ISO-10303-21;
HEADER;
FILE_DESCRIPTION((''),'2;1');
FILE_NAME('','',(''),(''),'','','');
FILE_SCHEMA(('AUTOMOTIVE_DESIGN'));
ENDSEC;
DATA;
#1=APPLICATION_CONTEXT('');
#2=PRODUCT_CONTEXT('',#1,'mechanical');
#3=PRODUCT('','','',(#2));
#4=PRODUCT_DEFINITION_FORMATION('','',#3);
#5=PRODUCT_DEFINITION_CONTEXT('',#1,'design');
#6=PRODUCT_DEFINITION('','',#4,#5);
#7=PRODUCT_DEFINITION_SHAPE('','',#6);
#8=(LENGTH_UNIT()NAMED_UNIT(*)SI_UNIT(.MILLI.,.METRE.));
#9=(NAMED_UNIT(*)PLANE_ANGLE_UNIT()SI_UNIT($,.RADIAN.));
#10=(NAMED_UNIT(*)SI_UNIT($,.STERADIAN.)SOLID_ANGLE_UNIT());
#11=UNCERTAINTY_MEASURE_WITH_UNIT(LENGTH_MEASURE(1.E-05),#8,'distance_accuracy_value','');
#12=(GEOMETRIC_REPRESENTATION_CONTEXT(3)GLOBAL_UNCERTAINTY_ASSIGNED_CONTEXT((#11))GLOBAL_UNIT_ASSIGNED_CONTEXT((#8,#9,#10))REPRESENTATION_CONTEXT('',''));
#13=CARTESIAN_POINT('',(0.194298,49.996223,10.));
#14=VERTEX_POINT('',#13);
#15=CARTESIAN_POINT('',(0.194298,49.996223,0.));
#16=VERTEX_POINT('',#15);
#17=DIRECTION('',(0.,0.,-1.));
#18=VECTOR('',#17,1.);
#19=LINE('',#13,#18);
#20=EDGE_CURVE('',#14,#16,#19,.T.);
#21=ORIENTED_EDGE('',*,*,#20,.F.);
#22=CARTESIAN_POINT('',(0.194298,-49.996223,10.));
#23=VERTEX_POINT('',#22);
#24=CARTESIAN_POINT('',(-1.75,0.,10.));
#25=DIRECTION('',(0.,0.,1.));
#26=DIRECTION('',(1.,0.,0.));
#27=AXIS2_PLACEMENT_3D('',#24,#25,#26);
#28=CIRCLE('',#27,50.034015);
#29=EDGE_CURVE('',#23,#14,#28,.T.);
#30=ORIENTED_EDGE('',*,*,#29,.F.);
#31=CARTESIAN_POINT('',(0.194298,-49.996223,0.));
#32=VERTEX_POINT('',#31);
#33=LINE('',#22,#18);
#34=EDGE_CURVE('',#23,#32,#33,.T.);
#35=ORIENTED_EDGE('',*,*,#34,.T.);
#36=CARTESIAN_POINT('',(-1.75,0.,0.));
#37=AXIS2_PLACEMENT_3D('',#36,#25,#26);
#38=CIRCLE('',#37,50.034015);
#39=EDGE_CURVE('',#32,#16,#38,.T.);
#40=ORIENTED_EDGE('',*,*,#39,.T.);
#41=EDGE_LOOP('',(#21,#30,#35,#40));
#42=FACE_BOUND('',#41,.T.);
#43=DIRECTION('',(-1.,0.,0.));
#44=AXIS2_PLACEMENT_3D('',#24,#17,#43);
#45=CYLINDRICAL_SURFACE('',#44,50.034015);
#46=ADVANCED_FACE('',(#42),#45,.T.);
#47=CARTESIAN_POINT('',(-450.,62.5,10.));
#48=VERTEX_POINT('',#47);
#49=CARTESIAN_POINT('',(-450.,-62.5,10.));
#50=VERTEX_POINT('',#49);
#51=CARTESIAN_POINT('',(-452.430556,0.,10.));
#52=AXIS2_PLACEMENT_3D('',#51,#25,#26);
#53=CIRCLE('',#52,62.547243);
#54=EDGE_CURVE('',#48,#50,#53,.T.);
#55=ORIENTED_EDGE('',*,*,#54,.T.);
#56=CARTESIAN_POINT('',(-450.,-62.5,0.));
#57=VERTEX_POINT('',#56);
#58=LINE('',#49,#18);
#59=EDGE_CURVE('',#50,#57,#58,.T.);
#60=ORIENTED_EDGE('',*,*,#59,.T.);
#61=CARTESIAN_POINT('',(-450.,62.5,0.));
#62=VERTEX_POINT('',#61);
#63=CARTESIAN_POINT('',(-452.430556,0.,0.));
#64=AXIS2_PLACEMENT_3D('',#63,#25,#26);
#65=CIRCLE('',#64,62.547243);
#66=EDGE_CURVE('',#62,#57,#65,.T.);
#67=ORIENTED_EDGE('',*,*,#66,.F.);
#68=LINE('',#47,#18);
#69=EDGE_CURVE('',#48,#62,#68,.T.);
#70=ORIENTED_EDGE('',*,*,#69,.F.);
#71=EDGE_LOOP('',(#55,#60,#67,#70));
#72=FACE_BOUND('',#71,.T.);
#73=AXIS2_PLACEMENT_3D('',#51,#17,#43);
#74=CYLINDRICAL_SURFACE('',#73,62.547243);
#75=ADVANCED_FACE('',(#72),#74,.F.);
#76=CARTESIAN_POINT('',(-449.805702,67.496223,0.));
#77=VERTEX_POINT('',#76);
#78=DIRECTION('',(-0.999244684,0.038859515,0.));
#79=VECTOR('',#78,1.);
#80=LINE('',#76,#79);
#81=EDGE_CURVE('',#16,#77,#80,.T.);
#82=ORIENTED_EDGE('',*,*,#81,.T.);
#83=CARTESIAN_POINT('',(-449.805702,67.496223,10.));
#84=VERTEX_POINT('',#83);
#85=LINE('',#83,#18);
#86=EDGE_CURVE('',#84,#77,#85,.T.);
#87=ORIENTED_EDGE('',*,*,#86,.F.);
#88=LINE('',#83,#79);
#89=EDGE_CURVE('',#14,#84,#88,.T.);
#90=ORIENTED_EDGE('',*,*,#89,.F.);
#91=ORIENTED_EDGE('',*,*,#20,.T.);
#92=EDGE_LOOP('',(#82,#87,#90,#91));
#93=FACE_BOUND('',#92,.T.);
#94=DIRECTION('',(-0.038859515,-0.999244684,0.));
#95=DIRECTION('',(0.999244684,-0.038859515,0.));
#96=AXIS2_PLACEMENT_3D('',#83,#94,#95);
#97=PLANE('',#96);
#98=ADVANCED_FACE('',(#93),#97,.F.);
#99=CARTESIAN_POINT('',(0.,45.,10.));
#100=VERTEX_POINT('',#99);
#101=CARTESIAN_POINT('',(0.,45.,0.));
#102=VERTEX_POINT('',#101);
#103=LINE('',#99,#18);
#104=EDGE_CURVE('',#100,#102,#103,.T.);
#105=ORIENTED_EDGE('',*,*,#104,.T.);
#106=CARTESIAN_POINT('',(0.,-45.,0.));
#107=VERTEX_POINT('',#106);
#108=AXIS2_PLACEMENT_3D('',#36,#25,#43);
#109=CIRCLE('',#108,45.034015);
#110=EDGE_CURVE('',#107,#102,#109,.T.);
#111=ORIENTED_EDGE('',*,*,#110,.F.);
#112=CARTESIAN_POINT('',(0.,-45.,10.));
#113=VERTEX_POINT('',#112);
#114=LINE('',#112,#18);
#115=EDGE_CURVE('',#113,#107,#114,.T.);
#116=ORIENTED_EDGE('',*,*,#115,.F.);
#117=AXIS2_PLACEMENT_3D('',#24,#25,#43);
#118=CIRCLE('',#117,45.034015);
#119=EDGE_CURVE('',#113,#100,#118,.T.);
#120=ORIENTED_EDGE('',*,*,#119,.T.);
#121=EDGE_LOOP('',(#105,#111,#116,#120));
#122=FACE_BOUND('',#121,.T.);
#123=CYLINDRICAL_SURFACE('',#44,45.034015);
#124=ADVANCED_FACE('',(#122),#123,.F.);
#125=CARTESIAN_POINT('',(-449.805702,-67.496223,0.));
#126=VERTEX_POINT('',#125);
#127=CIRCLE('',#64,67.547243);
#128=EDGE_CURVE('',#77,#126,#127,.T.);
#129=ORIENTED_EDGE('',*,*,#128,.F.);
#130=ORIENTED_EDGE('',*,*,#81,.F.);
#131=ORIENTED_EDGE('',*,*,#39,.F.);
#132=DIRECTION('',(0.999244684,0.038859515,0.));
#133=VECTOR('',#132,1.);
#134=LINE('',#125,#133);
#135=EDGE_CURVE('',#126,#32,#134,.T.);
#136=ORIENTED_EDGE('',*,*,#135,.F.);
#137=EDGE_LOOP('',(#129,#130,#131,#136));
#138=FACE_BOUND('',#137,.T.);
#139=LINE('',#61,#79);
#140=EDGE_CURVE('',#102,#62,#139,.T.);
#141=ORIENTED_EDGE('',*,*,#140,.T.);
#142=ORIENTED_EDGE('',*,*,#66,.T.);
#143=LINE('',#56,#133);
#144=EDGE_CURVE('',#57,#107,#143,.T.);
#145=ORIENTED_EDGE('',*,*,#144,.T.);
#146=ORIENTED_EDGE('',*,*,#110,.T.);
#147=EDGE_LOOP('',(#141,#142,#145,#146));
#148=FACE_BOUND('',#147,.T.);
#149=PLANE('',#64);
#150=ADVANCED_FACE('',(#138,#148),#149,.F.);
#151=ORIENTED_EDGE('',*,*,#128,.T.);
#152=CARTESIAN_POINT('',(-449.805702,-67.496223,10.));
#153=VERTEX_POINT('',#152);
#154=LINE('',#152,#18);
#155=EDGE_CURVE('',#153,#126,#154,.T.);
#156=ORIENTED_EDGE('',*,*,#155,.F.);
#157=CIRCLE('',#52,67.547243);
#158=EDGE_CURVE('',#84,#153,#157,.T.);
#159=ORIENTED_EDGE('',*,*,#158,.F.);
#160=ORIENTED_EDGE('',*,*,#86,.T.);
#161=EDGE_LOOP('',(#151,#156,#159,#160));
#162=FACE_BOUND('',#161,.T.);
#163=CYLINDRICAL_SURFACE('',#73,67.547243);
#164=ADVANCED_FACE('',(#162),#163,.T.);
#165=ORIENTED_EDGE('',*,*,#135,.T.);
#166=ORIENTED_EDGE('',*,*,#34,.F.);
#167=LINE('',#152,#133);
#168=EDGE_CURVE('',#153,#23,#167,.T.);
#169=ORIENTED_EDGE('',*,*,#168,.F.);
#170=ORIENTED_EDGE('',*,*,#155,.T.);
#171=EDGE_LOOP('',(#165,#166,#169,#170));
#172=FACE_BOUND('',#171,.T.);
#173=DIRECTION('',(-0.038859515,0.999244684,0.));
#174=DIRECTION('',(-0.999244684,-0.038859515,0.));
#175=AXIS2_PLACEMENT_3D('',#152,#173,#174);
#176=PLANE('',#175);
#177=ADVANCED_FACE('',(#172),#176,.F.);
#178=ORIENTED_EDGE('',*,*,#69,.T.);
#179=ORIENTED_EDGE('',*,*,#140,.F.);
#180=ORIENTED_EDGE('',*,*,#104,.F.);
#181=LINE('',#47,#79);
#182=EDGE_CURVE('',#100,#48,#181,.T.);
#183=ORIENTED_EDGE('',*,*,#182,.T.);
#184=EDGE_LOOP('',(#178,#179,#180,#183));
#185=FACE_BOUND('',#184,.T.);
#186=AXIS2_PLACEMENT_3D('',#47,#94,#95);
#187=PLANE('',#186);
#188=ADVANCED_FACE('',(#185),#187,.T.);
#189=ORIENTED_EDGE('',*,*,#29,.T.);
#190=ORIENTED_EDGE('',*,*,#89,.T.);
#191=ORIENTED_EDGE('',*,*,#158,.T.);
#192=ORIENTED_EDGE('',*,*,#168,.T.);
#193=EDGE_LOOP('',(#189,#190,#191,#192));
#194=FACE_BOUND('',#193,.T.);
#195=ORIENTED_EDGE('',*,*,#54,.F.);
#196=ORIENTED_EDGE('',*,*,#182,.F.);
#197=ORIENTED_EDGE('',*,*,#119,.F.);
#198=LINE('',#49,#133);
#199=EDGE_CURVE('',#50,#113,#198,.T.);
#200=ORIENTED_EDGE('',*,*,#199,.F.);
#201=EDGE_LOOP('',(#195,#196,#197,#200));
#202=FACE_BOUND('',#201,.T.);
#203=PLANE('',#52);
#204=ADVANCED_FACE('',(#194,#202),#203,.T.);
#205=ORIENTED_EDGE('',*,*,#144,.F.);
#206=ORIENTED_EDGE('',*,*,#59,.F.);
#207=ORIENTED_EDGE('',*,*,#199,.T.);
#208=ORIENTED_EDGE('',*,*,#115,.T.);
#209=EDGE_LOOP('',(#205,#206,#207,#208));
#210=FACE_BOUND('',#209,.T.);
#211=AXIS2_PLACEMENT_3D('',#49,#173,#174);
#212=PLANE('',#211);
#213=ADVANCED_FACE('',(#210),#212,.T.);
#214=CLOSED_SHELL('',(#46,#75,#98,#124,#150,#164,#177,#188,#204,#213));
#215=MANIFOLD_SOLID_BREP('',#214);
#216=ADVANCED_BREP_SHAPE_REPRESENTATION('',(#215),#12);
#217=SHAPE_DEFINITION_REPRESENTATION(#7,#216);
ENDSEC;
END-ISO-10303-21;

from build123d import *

# Parameters (mm, degrees)
EXTRUDE_THIN2_DEPTH = 10


with BuildPart() as part:
    # Sketch1 → Extrude-Thin2 (new body)
    with BuildSketch(Plane.XY):
        with BuildLine():
            Line((0.194297577, -49.996223419), (-449.805702423, -67.496223419))
            ThreePointArc((-449.805702423, -67.496223419), (-519.977798503, 0), (-449.805702423, 67.496223419))
            Line((-449.805702423, 67.496223419), (0.194297577, 49.996223419))
            ThreePointArc((0.194297577, 49.996223419), (48.284014922, 0), (0.194297577, -49.996223419))
        make_face()
        with BuildLine():
            Line((0, -45), (-450, -62.5))
            ThreePointArc((-450, -62.5), (-514.977798503, 0), (-450, 62.5))
            Line((-450, 62.5), (0, 45))
            ThreePointArc((0, 45), (43.284014922, 0), (0, -45))
        make_face(mode=Mode.SUBTRACT)
    extrude(amount=EXTRUDE_THIN2_DEPTH)


solid = part.part
